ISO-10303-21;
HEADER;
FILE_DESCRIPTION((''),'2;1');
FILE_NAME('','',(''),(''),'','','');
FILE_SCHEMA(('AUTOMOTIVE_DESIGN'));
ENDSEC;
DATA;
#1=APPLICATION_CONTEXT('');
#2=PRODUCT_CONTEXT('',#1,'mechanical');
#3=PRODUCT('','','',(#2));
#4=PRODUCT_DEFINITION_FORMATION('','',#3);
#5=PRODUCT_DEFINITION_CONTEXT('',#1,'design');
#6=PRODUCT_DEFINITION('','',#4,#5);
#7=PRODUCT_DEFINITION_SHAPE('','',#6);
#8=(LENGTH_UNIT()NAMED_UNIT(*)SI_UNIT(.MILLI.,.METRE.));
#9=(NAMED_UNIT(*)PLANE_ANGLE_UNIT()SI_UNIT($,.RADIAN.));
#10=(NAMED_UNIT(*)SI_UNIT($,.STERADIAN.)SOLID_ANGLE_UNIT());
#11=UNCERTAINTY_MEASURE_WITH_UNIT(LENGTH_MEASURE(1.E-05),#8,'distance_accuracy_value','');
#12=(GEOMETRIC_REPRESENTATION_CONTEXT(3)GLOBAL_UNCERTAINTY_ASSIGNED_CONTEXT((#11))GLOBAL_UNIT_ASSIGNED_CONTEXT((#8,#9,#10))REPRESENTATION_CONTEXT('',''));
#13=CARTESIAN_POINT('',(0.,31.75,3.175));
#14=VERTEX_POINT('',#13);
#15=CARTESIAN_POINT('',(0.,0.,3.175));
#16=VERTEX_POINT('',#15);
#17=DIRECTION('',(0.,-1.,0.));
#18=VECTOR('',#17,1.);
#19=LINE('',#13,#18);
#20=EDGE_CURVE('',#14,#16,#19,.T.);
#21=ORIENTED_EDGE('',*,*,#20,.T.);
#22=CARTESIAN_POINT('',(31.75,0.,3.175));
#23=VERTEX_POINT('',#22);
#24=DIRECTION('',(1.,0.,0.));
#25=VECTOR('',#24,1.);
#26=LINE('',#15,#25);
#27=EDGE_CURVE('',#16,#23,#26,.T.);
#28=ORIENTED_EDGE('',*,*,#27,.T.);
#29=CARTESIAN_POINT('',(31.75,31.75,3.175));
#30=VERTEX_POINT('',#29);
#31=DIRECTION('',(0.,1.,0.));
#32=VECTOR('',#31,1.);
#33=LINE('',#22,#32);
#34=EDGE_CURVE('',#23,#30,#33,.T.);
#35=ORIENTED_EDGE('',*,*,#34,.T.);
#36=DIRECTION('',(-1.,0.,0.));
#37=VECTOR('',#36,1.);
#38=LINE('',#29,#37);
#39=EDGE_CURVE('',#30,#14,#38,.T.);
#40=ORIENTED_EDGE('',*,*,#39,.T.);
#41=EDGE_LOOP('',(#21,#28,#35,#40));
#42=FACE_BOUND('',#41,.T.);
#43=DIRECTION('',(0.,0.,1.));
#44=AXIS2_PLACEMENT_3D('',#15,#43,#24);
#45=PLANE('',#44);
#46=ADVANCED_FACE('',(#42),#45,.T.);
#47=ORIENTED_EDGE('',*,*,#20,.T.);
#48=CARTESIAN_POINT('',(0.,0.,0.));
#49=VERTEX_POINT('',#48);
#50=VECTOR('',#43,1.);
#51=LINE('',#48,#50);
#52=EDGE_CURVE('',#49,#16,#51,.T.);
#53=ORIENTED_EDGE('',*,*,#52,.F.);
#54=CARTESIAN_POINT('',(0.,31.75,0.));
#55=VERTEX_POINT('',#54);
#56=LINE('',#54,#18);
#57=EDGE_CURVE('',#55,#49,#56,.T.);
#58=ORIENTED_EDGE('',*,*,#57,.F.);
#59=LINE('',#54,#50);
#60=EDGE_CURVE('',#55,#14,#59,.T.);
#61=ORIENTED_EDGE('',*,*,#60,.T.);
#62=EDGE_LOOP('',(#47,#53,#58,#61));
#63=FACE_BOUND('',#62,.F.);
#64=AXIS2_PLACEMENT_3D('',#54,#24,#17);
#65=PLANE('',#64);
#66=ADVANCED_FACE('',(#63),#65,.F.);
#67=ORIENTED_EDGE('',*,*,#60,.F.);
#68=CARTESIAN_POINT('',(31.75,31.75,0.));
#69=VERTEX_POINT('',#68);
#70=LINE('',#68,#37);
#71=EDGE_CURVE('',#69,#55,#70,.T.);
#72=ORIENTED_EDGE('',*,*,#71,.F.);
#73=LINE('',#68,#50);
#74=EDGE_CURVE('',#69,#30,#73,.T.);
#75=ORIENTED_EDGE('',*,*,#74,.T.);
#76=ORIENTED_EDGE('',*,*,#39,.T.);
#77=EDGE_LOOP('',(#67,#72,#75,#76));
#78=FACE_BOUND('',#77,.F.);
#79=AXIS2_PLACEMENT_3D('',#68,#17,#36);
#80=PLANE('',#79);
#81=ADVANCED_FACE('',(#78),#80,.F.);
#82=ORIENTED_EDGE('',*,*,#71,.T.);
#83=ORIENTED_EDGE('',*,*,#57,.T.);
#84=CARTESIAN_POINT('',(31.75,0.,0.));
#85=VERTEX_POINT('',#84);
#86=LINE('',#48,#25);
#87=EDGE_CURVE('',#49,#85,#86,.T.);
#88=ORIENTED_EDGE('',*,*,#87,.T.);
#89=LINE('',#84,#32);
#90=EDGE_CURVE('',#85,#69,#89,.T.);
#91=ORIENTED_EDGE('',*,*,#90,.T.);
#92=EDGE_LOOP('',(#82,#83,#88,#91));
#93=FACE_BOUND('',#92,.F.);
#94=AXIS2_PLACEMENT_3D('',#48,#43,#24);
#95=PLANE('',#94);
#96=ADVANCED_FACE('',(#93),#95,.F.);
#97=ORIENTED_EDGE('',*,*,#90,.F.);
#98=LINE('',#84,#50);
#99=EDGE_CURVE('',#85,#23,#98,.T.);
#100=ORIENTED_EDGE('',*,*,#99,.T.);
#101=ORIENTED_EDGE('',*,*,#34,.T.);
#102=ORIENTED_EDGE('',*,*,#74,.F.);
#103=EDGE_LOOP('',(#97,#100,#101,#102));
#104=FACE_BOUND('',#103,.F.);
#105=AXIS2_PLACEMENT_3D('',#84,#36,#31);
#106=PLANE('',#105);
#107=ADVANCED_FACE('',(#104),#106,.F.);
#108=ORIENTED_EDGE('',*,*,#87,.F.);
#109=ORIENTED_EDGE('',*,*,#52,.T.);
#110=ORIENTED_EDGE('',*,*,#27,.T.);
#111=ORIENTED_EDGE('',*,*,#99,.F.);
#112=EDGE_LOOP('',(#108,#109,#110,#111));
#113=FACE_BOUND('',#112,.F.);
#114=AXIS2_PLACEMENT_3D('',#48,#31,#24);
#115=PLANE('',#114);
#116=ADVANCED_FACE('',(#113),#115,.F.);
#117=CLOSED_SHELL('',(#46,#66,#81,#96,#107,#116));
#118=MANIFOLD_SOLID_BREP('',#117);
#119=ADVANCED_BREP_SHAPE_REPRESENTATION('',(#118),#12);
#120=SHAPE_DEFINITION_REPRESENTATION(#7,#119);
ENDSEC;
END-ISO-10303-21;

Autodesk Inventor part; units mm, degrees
ref_plane "YZ Plane" through (0, 0, 0) normal (1, 0, 0) x (0, 1, 0)
ref_plane "XZ Plane" through (0, 0, 0) normal (0, 1, 0) x (-1, 0, 0)
ref_plane "XY Plane" through (0, 0, 0) normal (0, 0, 1) x (1, 0, 0)
sketch "Sketch1" plane through (0, 0, 0) normal (0, 0, 1) x (1, 0, 0)
  line L0 (0, 0) -> (31.75, 0)
  line L1 (31.75, 0) -> (31.75, 31.75)
  line L2 (31.75, 31.75) -> (0, 31.75)
  line L3 (0, 31.75) -> (0, 0)
  dimension "d0" = 31.75
  dimension "d1" = 31.75
extrude "Extrusion1" add sketch "Sketch1" along normal blind 3.175
sketch "Sketch2" plane through (0, 0, 3.175) normal (0, 0, 1) x (1, 0, 0)
  line L0 (31.75, 0) -> (31.75, 31.75) projected
  line L1 (31.75, 31.75) -> (0, 31.75) projected
  line L2 (0, 31.75) -> (0, 0) projected
  line L3 (0, 0) -> (31.75, 0) projected
  point P0 (15.875, 15.875)
  point P1 (31.75, 15.875)
  point P2 (15.875, 31.75)
properties part number "Black Piece"
